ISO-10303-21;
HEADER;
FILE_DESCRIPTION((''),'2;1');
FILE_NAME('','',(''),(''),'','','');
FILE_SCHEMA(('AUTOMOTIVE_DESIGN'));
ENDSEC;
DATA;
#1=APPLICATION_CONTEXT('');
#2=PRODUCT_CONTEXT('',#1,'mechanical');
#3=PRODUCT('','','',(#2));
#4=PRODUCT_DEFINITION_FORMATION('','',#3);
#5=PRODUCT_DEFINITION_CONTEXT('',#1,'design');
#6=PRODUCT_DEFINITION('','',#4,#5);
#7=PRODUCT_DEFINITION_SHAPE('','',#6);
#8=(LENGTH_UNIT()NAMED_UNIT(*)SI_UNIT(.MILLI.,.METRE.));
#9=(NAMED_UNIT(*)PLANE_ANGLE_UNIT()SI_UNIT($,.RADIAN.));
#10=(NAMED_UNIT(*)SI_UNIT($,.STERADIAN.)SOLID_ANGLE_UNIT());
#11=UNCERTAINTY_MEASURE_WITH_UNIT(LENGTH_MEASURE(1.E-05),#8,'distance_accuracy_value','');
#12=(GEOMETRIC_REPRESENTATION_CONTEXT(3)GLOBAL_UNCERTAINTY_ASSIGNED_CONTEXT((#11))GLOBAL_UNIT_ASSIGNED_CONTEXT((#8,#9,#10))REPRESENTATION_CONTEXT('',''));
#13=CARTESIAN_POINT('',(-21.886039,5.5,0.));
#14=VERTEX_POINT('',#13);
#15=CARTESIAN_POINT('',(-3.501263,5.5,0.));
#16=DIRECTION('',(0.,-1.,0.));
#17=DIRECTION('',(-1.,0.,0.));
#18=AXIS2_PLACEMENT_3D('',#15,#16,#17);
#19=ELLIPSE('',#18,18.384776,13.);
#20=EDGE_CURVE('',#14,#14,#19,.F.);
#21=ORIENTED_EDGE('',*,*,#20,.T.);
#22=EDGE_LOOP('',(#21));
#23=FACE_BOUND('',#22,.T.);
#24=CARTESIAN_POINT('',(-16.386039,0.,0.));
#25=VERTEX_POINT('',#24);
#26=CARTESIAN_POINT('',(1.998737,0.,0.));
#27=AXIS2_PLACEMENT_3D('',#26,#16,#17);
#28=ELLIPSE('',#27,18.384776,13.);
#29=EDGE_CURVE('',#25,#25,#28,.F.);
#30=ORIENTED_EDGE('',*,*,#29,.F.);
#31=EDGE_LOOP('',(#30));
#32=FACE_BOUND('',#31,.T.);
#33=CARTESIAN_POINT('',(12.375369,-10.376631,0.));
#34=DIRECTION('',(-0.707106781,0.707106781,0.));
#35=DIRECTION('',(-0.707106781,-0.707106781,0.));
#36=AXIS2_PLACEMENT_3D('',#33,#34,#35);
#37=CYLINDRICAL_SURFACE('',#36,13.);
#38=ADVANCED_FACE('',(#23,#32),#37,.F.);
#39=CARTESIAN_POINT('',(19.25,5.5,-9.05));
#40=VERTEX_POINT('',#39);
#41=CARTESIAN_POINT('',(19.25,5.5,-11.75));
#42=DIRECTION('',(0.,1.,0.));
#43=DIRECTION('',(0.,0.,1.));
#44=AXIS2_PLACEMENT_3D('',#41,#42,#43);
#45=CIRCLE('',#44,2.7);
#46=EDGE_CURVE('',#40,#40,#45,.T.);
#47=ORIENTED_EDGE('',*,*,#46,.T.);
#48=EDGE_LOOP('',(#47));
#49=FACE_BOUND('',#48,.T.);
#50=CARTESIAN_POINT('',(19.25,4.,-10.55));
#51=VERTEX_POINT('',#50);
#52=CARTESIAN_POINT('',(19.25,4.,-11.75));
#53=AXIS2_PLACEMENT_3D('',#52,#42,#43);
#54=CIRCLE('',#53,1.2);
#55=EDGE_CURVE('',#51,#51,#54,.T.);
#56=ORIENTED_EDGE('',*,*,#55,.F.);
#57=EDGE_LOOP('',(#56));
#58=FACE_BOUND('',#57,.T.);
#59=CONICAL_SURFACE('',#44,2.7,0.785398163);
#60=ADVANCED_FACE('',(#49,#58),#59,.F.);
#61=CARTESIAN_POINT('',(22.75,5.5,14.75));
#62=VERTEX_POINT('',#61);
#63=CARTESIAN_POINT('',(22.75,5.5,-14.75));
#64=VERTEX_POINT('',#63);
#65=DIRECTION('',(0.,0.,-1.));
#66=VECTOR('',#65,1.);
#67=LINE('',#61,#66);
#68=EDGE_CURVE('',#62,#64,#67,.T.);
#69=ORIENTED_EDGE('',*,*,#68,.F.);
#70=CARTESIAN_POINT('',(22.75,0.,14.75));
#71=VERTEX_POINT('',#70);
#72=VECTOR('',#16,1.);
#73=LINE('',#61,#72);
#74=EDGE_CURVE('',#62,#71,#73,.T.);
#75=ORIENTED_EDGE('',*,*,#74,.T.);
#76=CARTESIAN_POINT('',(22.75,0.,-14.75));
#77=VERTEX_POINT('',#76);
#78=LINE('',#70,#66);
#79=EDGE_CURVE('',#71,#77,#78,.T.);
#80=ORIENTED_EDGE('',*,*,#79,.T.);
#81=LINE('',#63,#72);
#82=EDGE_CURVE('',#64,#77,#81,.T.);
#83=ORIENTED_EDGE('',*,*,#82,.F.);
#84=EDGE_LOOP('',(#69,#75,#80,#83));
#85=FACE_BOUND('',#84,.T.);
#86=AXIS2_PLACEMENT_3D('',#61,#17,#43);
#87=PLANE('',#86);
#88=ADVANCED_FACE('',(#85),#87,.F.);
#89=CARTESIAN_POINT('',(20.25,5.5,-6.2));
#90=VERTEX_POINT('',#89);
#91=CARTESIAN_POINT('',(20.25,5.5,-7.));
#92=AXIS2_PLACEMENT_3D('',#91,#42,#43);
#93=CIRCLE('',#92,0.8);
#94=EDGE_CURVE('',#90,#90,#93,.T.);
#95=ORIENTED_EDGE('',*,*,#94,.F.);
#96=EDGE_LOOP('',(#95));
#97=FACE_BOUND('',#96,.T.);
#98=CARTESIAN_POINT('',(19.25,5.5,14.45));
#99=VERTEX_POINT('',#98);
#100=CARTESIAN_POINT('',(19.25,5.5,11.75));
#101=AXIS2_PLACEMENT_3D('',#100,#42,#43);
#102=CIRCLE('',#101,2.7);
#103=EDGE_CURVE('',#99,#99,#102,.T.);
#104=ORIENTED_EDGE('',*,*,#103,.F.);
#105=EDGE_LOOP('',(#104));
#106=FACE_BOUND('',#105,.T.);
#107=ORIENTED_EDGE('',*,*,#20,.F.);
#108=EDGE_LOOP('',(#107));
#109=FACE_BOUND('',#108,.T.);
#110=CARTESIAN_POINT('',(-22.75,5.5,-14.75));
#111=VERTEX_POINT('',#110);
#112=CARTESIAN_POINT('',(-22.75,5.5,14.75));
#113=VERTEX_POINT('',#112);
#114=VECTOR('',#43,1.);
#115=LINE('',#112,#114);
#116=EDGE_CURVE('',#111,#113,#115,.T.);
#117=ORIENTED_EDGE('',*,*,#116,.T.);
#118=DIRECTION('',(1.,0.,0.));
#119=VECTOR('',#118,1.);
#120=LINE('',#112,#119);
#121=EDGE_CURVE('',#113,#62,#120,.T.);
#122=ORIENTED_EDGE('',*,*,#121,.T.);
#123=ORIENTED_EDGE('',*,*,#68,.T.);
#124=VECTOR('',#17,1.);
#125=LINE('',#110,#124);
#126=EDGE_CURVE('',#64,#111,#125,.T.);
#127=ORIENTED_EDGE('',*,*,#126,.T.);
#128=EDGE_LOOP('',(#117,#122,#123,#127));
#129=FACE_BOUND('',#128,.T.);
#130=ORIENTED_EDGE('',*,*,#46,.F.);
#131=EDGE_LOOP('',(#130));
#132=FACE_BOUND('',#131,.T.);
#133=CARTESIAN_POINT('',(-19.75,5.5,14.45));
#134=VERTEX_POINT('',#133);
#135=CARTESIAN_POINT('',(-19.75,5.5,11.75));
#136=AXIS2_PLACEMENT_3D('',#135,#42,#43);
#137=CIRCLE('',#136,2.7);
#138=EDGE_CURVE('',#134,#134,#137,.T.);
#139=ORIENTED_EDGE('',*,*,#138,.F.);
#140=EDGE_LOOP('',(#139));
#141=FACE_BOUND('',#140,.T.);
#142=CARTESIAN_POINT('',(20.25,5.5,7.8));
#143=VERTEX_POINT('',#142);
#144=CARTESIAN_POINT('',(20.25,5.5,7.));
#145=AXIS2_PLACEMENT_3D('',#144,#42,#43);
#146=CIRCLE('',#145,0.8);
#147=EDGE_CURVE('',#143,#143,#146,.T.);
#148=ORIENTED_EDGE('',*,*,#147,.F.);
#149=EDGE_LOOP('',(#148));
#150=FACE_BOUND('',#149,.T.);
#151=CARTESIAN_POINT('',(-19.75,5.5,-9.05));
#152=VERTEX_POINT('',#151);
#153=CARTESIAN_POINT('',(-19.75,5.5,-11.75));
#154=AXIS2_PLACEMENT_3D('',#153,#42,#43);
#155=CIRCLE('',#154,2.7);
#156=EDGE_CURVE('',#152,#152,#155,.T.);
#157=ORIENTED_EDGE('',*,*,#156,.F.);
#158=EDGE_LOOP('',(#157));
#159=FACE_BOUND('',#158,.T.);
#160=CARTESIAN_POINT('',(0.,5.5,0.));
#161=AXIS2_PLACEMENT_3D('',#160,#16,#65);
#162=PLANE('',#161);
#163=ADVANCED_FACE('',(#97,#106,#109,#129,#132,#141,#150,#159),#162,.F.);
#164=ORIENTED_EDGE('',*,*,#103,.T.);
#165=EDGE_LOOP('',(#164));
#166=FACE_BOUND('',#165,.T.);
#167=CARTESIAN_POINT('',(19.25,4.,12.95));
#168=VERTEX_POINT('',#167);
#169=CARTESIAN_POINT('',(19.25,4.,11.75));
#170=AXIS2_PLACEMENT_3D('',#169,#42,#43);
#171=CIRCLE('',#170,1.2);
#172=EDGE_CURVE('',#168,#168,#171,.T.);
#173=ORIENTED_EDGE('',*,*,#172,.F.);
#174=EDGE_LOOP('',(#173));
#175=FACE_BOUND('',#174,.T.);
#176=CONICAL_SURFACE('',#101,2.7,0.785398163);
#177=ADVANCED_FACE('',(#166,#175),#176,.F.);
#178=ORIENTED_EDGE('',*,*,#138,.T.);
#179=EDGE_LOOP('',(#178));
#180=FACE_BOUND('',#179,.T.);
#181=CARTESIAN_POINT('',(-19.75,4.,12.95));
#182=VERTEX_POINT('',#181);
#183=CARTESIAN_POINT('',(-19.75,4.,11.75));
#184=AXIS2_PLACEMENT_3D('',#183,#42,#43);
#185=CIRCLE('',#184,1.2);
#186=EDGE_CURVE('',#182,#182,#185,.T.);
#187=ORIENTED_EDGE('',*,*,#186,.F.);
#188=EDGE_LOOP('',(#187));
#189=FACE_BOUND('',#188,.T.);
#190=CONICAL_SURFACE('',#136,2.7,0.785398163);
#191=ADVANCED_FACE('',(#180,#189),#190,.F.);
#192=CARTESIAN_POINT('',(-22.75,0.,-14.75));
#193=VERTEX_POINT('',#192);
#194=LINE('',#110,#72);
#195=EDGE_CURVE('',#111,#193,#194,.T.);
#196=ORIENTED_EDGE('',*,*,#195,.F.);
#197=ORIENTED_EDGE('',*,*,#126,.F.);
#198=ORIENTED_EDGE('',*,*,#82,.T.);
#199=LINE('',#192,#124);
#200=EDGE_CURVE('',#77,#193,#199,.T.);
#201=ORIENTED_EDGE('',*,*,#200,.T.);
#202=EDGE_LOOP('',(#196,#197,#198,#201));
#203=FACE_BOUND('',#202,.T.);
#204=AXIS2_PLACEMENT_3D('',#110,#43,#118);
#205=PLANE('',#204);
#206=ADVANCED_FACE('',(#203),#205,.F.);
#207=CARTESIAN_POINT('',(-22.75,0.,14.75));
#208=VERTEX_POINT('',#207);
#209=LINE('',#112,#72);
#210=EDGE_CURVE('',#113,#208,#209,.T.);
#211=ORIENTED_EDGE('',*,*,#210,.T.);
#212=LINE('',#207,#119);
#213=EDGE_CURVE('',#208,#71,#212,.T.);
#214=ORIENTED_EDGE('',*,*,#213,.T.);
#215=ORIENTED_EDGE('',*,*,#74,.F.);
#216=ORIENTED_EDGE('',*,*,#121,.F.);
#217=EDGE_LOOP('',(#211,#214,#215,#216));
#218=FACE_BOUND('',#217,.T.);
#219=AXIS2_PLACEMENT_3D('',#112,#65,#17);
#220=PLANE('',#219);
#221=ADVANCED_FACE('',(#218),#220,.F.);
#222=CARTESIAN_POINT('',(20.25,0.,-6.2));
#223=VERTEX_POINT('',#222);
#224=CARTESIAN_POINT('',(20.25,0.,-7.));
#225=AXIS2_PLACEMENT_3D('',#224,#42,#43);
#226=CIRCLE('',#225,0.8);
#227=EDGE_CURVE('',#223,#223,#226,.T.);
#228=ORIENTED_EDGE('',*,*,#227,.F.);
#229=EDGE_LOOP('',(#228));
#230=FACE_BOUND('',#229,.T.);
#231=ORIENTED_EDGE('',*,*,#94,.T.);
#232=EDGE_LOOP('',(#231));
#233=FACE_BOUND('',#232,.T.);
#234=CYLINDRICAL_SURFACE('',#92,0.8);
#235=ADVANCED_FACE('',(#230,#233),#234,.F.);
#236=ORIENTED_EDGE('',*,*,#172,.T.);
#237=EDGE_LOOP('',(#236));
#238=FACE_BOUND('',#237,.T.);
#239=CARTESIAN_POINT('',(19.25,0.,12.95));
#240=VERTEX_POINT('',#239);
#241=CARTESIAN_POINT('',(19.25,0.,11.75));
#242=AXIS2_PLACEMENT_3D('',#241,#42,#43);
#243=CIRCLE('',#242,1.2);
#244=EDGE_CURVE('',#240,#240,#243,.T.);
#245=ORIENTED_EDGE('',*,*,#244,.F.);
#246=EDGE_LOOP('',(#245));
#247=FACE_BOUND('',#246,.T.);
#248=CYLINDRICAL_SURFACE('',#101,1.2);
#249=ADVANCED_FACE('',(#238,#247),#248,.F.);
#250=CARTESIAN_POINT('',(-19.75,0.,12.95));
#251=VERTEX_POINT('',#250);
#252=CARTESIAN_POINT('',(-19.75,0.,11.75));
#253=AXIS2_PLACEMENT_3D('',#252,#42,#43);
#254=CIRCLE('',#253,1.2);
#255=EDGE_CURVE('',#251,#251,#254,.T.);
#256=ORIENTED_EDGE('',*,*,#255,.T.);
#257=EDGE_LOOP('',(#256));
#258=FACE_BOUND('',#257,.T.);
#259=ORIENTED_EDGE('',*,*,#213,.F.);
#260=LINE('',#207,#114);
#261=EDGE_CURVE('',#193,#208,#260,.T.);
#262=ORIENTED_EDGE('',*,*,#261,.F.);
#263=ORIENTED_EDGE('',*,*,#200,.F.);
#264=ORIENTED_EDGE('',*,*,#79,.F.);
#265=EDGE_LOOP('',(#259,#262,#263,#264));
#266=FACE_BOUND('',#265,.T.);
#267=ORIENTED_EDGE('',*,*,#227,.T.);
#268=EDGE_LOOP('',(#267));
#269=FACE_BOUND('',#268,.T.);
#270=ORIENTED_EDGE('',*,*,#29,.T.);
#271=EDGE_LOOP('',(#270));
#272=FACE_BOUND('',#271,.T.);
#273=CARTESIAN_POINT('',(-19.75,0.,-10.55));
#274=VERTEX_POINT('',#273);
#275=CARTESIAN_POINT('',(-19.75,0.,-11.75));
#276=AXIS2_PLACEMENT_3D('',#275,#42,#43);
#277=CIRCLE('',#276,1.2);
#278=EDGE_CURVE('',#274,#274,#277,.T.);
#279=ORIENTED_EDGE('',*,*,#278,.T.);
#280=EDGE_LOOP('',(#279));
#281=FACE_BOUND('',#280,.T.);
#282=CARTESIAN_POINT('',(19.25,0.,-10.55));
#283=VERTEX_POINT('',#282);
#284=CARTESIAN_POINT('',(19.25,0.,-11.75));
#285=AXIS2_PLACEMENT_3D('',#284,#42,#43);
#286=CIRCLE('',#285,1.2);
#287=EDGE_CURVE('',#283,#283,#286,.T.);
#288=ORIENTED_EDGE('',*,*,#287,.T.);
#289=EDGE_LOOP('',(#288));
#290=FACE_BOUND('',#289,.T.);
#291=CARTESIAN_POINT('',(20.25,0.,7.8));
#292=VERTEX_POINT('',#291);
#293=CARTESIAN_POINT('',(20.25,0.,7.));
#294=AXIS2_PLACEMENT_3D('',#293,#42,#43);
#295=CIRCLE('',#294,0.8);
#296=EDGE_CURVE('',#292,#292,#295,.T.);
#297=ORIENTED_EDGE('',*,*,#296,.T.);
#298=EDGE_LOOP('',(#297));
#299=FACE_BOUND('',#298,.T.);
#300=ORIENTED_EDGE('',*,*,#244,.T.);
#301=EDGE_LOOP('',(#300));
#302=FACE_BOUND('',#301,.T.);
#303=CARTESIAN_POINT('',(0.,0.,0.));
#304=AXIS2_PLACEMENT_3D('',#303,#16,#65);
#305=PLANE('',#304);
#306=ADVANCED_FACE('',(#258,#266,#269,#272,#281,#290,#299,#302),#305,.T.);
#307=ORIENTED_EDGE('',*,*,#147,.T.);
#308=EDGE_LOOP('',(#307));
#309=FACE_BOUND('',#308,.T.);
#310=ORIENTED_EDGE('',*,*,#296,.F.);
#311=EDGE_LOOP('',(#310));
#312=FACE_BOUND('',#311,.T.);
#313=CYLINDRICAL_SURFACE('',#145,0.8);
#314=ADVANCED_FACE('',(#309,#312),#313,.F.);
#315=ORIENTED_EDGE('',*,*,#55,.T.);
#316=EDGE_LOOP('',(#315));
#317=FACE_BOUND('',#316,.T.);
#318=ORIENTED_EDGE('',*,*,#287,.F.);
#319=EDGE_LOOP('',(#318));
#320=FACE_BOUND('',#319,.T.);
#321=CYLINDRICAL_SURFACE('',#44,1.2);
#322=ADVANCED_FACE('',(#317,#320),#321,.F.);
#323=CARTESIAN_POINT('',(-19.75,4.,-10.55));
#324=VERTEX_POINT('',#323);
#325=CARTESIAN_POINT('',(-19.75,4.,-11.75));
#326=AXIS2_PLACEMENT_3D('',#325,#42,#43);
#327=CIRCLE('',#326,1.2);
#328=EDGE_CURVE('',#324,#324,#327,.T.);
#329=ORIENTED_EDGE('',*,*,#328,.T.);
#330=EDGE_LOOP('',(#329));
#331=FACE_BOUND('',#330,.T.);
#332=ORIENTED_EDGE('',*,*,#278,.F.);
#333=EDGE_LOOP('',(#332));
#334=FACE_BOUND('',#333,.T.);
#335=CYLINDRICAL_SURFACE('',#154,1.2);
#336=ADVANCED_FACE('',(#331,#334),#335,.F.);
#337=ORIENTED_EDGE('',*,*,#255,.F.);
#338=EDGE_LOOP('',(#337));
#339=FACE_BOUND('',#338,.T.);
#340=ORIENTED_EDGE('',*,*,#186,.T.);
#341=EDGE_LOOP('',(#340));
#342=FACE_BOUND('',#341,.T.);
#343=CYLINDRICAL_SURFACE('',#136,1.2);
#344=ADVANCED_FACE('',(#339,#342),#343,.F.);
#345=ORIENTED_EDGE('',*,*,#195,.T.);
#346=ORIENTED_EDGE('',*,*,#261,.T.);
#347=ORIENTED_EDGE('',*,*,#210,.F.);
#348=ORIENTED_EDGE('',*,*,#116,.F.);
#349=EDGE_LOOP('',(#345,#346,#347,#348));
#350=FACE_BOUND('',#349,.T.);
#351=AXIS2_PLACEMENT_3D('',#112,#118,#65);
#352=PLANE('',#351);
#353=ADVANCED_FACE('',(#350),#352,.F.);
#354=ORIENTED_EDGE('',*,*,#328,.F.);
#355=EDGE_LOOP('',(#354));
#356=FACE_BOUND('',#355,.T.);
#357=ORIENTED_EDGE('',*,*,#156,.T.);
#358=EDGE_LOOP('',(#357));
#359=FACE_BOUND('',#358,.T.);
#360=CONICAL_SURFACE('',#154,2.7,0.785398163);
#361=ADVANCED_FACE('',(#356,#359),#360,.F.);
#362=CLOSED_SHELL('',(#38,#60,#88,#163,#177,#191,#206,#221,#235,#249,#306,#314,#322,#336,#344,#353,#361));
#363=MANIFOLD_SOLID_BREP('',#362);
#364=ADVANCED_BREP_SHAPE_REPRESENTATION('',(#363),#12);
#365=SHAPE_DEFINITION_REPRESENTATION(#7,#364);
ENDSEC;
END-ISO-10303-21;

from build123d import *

# Parameters (mm, degrees)
SKETCH1_W                                           = 45.5
SKETCH1_H                                           = 29.5
BOSS_EXTRUDE1_DEPTH                                 = 5.5
CUT_EXTRUDE1_REACH                                  = 38.062
SKETCH2_R                                           = 13
CSK_FOR_M2_COUNTERSUNK_FLAT_HEAD_SCREW1_D           = 2.4
CSK_FOR_M2_COUNTERSUNK_FLAT_HEAD_SCREW1_CSINK_D     = 5.4
CSK_FOR_M2_COUNTERSUNK_FLAT_HEAD_SCREW1_CSINK_ANGLE = 90
M2_TAPPED_HOLE1_D                                   = 1.6


with BuildPart() as part:
    # Sketch1 → Boss-Extrude1 (new body)
    with BuildSketch(Plane(origin=(0, 0, 0), x_dir=(1, 0, 0), z_dir=(0, 1, 0))):
        Rectangle(SKETCH1_W, SKETCH1_H)
    extrude(amount=BOSS_EXTRUDE1_DEPTH)

    # Sketch2 → Cut-Extrude1 (cut, up to next)
    with BuildSketch(Plane(origin=(-14.125, 14.125, 0), x_dir=(0, 0, 1), z_dir=(-0.707106781, 0.707106781, 0)), mode=Mode.PRIVATE) as cut_extrude1_sk1:
        with Locations((0, 1.413320728)):
            Circle(SKETCH2_R)
    cut_extrude1_tool1 = extrude(cut_extrude1_sk1.sketch, amount=-CUT_EXTRUDE1_REACH, mode=Mode.PRIVATE) & part.part
    add(cut_extrude1_tool1.solids().sort_by_distance((-13.125631, 15.124369, 0))[0], mode=Mode.SUBTRACT)

    # CSK for M2 Countersunk Flat Head Screw1 (through all)
    with Locations(Plane(origin=(0, 5.5, 0), x_dir=(1, 0, 0), z_dir=(0, 1, 0))):
        with Locations((-19.75, 11.75), (19.25, 11.75), (-19.75, -11.75), (19.25, -11.75)):
            CounterSinkHole(CSK_FOR_M2_COUNTERSUNK_FLAT_HEAD_SCREW1_D / 2, CSK_FOR_M2_COUNTERSUNK_FLAT_HEAD_SCREW1_CSINK_D / 2, counter_sink_angle=CSK_FOR_M2_COUNTERSUNK_FLAT_HEAD_SCREW1_CSINK_ANGLE)

    # M2 Tapped Hole1 (through all)
    with Locations(Plane(origin=(0, 5.5, 0), x_dir=(1, 0, 0), z_dir=(0, 1, 0))):
        with Locations((20.25, 7), (20.25, -7)):
            Hole(M2_TAPPED_HOLE1_D / 2)


solid = part.part
